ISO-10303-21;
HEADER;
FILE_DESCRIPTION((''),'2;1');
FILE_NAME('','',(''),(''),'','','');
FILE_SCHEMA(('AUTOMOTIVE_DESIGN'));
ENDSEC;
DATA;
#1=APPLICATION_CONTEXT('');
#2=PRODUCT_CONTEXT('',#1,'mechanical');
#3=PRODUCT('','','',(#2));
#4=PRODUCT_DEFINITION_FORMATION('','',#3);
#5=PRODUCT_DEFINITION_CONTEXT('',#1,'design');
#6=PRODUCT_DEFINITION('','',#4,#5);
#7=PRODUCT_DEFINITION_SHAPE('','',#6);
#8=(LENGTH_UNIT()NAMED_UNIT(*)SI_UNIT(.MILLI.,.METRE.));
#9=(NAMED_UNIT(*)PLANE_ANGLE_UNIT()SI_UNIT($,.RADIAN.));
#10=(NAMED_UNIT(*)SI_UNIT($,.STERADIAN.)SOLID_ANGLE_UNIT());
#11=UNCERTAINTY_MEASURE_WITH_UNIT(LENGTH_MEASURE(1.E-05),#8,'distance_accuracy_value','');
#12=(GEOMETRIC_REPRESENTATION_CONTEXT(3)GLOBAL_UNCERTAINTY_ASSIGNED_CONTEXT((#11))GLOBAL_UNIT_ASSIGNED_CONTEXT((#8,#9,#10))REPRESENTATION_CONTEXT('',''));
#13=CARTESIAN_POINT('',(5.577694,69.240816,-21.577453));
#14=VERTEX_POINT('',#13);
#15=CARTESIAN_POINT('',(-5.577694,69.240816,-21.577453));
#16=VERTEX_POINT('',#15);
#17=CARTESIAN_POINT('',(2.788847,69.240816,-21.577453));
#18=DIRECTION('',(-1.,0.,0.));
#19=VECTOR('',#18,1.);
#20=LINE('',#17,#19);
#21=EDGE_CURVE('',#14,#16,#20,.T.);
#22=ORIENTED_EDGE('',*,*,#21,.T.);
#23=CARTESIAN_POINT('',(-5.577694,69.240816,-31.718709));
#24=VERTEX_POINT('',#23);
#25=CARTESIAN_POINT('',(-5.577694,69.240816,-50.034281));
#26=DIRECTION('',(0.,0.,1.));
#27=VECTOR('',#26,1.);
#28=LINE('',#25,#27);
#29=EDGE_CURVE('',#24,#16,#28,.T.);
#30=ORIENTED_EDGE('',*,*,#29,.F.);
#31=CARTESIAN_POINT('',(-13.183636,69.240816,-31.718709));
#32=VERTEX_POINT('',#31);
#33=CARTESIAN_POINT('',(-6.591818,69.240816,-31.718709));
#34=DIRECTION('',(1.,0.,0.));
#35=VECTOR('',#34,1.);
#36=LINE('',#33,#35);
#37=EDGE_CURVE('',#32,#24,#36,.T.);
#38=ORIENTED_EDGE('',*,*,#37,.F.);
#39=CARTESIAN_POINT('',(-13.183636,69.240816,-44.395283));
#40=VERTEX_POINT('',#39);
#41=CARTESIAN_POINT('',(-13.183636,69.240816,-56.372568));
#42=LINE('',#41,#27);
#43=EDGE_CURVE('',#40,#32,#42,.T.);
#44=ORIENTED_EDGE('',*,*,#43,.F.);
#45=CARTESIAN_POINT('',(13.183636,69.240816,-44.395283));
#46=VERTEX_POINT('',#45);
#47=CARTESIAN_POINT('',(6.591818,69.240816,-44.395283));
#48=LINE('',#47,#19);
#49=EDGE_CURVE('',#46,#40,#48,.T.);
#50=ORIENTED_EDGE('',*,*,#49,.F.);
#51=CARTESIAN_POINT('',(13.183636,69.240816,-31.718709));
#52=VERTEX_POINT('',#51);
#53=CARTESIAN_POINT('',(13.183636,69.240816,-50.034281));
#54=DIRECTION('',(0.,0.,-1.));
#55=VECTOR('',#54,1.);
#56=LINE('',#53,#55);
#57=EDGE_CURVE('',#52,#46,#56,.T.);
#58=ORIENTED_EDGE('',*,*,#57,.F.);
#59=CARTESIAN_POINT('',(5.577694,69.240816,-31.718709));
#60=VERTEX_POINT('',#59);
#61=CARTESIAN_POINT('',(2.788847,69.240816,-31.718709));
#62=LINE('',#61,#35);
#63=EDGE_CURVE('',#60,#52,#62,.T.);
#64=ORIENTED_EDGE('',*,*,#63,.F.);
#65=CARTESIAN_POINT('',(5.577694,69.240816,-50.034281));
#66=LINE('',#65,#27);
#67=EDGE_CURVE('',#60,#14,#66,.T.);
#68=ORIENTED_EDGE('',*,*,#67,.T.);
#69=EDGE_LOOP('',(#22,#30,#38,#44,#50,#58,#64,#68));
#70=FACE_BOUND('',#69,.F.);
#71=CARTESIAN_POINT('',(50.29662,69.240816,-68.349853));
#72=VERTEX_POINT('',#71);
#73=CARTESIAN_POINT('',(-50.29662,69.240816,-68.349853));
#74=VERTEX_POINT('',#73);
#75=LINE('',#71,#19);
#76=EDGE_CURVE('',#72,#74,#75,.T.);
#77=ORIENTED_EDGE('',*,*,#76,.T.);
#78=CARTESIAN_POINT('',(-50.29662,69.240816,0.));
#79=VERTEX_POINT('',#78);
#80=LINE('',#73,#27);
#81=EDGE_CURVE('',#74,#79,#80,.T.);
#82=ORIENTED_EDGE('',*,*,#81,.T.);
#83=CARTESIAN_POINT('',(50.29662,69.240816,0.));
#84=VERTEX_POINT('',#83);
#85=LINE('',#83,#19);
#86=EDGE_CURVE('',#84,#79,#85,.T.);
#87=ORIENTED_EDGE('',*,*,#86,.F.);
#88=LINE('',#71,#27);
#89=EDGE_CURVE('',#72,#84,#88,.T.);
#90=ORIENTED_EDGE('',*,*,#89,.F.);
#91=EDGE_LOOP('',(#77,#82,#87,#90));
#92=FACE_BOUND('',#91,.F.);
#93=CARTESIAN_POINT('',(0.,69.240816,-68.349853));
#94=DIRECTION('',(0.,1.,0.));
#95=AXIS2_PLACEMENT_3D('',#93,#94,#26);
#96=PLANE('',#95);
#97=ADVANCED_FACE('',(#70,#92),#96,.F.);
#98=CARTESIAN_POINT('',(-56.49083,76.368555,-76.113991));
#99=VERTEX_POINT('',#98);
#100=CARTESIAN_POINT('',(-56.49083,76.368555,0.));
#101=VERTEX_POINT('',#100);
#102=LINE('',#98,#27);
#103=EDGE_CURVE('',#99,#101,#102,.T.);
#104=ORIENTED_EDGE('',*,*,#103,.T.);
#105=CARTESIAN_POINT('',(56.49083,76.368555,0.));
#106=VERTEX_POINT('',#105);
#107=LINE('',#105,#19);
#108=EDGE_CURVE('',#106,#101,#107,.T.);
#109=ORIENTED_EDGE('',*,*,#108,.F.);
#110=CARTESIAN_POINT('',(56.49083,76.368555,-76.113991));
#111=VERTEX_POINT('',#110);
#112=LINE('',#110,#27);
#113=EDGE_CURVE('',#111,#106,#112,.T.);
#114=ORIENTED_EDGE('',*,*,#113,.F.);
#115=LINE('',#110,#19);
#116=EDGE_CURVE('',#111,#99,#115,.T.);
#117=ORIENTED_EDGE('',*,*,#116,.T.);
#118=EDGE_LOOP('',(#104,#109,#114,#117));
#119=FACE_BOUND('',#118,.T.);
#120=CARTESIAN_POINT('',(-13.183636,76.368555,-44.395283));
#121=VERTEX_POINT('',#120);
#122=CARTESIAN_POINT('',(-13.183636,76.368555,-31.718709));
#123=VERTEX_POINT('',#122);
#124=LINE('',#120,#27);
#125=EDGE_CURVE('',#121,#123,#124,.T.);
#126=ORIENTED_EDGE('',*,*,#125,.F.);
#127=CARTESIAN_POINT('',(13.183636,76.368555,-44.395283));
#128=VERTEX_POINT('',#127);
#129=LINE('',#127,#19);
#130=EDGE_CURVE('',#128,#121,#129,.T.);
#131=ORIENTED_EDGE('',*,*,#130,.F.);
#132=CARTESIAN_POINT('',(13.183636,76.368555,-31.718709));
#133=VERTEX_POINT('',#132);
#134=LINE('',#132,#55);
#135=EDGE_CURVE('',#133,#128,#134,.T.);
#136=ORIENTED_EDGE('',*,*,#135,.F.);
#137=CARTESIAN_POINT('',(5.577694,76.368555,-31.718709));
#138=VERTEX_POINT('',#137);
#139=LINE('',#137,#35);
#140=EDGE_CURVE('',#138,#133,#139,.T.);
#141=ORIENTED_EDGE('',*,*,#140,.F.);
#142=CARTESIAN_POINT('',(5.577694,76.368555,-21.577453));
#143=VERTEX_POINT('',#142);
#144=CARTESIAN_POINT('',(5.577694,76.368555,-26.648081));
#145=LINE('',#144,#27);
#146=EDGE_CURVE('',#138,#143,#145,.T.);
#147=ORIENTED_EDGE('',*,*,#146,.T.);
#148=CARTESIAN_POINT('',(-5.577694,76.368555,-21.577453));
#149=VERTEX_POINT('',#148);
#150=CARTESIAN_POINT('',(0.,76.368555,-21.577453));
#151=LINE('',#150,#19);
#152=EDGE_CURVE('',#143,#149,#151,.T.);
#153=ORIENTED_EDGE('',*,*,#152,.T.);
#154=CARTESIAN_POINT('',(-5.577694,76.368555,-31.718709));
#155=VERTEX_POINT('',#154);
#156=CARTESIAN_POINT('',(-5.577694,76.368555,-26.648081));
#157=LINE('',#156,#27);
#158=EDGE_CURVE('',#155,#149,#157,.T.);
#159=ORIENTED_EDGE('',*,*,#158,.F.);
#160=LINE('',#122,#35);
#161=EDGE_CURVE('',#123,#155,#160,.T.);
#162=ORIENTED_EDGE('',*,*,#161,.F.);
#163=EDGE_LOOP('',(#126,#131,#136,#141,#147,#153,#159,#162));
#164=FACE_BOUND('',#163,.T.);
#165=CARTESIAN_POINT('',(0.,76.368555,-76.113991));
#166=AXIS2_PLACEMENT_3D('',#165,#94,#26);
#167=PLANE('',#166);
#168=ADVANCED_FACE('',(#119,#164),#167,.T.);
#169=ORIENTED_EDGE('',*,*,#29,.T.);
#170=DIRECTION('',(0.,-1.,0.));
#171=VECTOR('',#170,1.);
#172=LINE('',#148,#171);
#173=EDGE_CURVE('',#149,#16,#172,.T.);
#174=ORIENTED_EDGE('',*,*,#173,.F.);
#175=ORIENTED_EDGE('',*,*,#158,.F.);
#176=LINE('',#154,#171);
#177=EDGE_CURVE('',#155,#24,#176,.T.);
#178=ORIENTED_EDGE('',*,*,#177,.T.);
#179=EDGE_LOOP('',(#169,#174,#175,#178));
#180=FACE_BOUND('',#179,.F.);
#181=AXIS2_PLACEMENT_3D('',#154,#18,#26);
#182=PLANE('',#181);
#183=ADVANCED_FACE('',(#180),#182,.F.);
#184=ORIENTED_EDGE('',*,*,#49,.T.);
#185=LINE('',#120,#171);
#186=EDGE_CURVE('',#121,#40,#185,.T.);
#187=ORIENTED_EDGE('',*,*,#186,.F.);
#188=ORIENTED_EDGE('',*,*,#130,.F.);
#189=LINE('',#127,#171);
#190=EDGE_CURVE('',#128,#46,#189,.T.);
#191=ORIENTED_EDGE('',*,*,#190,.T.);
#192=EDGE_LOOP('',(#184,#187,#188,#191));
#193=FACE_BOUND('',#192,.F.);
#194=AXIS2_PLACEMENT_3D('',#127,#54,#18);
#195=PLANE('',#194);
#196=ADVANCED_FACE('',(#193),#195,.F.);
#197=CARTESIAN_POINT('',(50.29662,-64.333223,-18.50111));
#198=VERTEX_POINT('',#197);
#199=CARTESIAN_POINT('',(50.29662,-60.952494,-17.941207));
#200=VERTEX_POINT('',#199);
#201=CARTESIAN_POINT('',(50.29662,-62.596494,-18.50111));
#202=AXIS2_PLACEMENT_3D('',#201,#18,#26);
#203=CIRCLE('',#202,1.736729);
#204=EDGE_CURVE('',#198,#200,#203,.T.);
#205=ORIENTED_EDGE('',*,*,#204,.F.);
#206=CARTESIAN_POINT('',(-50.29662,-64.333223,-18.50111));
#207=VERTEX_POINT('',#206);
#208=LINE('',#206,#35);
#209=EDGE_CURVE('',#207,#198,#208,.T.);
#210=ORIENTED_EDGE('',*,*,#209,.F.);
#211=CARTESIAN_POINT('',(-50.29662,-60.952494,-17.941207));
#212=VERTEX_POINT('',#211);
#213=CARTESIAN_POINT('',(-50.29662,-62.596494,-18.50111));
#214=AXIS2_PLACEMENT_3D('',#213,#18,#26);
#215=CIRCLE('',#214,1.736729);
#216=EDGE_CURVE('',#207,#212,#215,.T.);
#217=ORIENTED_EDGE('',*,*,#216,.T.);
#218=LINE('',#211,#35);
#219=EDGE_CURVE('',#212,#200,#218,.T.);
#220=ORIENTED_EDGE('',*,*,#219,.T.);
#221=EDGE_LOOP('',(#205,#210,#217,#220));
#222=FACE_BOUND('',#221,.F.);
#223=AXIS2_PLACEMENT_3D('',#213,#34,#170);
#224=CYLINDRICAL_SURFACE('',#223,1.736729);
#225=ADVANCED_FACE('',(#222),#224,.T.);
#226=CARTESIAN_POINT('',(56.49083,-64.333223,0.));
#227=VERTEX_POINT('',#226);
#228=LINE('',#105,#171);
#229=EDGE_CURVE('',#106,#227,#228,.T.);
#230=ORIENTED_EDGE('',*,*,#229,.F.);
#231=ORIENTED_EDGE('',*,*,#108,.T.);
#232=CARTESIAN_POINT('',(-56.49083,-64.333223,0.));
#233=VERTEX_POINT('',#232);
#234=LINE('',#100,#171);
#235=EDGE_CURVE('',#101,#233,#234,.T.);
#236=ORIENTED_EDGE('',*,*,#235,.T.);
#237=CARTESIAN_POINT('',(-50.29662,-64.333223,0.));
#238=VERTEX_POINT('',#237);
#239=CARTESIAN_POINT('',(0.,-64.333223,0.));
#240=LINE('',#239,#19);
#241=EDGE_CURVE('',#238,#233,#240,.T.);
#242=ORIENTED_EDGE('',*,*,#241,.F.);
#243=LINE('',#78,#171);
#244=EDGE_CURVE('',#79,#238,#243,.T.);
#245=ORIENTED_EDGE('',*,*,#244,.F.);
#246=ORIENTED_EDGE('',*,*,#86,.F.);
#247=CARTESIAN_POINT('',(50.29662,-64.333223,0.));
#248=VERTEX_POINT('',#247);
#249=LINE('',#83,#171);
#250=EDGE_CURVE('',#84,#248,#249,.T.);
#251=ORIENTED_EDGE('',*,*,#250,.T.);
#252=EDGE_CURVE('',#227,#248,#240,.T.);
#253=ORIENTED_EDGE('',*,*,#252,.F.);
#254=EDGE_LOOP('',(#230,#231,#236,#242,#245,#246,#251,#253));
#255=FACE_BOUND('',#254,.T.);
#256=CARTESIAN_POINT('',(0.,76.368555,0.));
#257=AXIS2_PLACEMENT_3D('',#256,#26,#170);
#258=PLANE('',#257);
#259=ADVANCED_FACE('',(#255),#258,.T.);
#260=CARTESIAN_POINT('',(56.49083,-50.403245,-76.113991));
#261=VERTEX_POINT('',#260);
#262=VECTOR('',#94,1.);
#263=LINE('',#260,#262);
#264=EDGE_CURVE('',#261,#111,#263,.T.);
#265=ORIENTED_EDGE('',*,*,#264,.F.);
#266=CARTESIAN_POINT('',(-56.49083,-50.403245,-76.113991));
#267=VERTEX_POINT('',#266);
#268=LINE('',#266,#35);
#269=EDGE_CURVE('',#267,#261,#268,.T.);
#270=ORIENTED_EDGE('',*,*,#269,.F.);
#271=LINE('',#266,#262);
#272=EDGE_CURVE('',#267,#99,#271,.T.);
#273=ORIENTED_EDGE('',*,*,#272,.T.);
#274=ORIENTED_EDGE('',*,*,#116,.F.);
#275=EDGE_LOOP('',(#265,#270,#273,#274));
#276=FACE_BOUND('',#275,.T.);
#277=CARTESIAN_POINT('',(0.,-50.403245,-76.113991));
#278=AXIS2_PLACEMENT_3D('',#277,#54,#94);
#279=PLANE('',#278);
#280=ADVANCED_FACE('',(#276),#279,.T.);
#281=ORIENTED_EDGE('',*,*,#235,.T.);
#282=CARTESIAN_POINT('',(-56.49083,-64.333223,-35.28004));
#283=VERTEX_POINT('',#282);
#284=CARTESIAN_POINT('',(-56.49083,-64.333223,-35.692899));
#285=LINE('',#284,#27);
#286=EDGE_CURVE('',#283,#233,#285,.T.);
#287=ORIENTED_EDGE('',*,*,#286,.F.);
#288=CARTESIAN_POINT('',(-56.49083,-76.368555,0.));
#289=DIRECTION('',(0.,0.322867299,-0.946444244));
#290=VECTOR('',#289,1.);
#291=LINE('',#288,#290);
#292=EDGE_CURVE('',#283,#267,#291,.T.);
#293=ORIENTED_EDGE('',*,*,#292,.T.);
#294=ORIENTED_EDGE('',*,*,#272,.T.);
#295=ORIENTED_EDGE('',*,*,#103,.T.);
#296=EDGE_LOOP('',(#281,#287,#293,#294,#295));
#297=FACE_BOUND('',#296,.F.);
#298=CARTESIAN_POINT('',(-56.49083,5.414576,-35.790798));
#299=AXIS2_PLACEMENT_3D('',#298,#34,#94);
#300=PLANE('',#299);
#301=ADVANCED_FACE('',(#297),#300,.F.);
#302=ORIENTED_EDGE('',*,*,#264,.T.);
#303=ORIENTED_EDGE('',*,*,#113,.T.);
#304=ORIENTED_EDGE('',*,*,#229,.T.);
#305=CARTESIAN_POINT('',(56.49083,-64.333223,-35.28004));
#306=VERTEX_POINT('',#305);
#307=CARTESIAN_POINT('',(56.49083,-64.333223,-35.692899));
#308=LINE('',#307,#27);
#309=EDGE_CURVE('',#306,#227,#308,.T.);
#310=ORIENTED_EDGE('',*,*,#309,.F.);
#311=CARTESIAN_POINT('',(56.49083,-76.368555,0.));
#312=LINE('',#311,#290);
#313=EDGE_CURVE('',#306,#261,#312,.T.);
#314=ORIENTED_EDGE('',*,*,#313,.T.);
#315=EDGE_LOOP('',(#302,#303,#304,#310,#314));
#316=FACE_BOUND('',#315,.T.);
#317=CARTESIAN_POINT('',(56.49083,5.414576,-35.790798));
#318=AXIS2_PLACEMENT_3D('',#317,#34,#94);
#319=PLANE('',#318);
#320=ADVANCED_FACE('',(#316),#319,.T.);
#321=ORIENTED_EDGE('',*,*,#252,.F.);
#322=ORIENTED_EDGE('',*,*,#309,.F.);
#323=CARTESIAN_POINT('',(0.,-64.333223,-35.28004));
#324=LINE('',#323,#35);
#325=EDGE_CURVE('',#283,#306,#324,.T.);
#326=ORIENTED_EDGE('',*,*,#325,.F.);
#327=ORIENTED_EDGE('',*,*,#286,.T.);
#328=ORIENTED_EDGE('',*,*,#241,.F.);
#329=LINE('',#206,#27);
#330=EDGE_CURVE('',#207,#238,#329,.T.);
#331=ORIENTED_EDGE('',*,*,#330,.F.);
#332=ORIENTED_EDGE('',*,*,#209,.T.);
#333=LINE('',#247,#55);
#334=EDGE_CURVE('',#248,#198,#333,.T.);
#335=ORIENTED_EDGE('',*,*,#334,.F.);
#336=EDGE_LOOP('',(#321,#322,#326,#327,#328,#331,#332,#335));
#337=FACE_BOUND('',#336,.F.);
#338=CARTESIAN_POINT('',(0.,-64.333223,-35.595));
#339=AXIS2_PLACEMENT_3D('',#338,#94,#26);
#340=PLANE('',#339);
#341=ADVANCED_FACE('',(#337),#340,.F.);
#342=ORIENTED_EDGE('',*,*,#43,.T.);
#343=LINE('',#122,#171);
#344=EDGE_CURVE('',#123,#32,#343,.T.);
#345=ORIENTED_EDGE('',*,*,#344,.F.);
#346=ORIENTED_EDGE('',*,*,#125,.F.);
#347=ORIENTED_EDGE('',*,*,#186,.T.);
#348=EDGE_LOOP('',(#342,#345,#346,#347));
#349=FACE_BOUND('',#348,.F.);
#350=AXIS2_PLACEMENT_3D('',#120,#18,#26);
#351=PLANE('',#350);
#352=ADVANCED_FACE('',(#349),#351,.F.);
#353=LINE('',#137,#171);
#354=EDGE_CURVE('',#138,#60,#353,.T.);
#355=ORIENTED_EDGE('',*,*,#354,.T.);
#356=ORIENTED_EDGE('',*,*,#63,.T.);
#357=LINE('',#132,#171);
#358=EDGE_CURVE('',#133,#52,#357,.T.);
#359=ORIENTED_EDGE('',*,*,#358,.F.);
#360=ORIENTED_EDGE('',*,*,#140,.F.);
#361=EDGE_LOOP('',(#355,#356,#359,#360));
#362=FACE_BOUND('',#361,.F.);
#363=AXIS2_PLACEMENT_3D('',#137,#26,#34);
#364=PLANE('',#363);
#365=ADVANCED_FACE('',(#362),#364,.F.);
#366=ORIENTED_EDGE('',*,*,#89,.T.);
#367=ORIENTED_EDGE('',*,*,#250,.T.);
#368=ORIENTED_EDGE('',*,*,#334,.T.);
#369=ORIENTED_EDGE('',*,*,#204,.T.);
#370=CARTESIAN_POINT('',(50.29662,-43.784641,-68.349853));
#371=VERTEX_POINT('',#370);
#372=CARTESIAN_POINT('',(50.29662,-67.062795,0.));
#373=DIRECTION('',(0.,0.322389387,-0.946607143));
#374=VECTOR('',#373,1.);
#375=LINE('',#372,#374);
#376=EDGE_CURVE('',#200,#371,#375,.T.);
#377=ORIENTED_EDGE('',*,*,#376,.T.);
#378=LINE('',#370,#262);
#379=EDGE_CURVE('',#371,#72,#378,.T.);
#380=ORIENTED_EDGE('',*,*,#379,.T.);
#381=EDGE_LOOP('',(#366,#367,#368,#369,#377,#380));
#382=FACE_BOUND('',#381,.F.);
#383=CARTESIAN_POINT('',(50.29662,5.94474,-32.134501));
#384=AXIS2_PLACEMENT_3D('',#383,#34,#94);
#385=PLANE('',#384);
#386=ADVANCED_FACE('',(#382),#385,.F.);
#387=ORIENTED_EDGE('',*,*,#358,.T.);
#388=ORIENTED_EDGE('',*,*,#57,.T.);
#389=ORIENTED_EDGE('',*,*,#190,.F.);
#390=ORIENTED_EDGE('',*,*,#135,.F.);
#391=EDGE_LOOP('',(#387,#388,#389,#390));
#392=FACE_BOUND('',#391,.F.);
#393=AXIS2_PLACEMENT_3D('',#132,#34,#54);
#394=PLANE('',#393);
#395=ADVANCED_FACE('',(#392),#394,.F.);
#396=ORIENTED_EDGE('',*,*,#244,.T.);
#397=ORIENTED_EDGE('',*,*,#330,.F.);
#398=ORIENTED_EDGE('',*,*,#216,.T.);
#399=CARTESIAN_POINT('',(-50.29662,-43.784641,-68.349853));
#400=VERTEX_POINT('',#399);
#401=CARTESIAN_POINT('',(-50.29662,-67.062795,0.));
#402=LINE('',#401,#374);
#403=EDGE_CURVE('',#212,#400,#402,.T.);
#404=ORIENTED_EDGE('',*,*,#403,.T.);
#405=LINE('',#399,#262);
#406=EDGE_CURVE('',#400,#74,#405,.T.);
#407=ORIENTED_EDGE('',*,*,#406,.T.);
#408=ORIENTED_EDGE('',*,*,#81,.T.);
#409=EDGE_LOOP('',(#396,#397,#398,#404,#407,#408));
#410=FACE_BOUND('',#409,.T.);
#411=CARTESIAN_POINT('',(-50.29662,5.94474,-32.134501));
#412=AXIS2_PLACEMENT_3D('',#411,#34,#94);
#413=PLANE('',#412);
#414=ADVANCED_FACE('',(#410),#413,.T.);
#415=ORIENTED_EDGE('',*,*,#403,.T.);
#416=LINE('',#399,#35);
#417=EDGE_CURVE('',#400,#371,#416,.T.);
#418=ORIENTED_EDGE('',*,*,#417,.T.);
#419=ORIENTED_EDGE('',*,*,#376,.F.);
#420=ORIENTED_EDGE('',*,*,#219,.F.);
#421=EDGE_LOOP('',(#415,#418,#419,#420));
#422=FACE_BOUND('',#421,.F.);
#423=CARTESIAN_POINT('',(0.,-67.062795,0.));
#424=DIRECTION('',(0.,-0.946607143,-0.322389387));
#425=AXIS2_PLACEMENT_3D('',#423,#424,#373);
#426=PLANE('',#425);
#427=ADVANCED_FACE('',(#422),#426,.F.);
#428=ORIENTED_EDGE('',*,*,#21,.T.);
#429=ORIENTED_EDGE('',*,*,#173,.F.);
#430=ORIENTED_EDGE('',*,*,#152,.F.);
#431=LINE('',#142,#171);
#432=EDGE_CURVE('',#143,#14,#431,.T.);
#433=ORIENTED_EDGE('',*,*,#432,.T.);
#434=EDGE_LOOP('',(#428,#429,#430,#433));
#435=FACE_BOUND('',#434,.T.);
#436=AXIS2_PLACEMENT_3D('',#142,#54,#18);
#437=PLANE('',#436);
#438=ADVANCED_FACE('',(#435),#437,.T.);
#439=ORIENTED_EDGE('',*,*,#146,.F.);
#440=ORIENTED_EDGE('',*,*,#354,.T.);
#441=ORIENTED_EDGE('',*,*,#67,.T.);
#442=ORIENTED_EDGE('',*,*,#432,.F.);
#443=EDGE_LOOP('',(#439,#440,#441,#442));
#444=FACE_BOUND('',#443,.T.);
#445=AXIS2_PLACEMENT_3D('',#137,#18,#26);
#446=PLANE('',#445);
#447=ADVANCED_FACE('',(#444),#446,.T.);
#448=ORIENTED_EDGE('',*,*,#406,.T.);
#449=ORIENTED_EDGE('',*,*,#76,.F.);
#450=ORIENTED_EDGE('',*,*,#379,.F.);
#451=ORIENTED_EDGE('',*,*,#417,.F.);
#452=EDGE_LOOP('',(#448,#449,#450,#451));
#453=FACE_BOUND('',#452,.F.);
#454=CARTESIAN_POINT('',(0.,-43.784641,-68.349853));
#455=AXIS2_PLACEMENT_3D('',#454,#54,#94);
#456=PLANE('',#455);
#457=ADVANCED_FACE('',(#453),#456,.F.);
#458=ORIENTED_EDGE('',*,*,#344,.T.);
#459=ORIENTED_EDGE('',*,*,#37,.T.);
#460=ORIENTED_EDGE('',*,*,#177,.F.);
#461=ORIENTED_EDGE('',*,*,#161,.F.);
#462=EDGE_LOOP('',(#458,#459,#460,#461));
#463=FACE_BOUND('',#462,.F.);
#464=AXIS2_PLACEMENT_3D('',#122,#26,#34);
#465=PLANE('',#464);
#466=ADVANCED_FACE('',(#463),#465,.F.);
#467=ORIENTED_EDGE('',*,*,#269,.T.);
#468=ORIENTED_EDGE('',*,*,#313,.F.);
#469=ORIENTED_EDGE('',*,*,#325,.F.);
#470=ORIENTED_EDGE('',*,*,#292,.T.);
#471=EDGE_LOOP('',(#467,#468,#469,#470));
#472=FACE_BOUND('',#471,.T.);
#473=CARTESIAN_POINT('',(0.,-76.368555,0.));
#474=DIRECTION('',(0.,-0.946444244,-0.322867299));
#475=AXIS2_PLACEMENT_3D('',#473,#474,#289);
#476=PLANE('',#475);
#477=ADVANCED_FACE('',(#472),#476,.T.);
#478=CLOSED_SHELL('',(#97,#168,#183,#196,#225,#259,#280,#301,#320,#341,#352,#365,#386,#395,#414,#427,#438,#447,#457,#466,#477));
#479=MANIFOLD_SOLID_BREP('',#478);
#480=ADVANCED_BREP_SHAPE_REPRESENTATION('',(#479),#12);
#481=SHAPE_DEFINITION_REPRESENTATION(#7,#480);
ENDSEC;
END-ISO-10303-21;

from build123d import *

# Parameters (mm, degrees)
F2_DEPTH  = 56.49083
F3_DEPTH  = 50.29662
F4_W      = 17.6400020719
F4_H      = 34.6500007436
F5_DEPTH  = 152.4
F6_W      = 8.1899985671
F6_H      = 40.634999983
F7_DEPTH  = 152.4
F8_R      = 1.7367288427
F9_W      = 11.1553873867
F9_H      = 10.141255334
F10_DEPTH = 26.2403


with BuildPart() as f2:
    # F0 (on Right) → F2 (new body, symmetric)
    with BuildSketch(Plane.YZ):
        Polygon((76.3685554266, 0), (-76.3685554266, 0), (-50.4032447934, -76.1139914393), (76.3685554266, -76.1139914393), align=None)
    extrude(amount=F2_DEPTH, both=True)

    # F1 (on face) → F3 (cut, symmetric)
    with BuildSketch(Plane.YZ):
        Polygon((69.2408159375, 0), (-67.0627951622, 0), (-43.7846407294, -68.349853158), (69.2408159375, -68.349853158), align=None)
    extrude(amount=F3_DEPTH, both=True, mode=Mode.SUBTRACT)

    # F4 (on Right) → F5 (cut, symmetric)
    with BuildSketch(Plane.YZ):
        with Locations((-75.7574997842, -6.6150003113)):
            Rectangle(F4_W, F4_H)
    extrude(amount=F5_DEPTH, both=True, mode=Mode.SUBTRACT)

    # F6 (on Right) → F7 (cut, symmetric)
    with BuildSketch(Plane.YZ):
        with Locations((-68.42822209, -15.2774997987)):
            Rectangle(F6_W, F6_H)
    extrude(amount=F7_DEPTH, both=True, mode=Mode.SUBTRACT)

    # F8
    f8_edges = [f2.edges().sort_by_distance(p)[0] for p in [
        (0, -64.333223, -8.014633),
    ]]
    fillet(f8_edges, radius=F8_R)

    # F9 (on face) → F10 (cut)
    with BuildSketch(Plane(origin=(0, 76.3685554266, 0), x_dir=(-1, 0, 0), z_dir=(0, 1, 0))):
        Polygon((-5.5776936933, -31.7187085748), (-13.1836356595, -31.7187085748), (-13.1836356595, -44.3952828646), (13.1836356595, -44.3952828646), (13.1836356595, -31.7187085748), (5.5776936933, -31.7187085748), (5.5776936933, -41.8599639088), (-5.5776936933, -41.8599639088), align=None)
        with Locations((0, -26.6480809078)):
            Rectangle(F9_W, F9_H)
        with Locations((0, -36.7893362418)):
            Rectangle(F9_W, F9_H)
    extrude(amount=-F10_DEPTH, mode=Mode.SUBTRACT)


solid = f2.part
